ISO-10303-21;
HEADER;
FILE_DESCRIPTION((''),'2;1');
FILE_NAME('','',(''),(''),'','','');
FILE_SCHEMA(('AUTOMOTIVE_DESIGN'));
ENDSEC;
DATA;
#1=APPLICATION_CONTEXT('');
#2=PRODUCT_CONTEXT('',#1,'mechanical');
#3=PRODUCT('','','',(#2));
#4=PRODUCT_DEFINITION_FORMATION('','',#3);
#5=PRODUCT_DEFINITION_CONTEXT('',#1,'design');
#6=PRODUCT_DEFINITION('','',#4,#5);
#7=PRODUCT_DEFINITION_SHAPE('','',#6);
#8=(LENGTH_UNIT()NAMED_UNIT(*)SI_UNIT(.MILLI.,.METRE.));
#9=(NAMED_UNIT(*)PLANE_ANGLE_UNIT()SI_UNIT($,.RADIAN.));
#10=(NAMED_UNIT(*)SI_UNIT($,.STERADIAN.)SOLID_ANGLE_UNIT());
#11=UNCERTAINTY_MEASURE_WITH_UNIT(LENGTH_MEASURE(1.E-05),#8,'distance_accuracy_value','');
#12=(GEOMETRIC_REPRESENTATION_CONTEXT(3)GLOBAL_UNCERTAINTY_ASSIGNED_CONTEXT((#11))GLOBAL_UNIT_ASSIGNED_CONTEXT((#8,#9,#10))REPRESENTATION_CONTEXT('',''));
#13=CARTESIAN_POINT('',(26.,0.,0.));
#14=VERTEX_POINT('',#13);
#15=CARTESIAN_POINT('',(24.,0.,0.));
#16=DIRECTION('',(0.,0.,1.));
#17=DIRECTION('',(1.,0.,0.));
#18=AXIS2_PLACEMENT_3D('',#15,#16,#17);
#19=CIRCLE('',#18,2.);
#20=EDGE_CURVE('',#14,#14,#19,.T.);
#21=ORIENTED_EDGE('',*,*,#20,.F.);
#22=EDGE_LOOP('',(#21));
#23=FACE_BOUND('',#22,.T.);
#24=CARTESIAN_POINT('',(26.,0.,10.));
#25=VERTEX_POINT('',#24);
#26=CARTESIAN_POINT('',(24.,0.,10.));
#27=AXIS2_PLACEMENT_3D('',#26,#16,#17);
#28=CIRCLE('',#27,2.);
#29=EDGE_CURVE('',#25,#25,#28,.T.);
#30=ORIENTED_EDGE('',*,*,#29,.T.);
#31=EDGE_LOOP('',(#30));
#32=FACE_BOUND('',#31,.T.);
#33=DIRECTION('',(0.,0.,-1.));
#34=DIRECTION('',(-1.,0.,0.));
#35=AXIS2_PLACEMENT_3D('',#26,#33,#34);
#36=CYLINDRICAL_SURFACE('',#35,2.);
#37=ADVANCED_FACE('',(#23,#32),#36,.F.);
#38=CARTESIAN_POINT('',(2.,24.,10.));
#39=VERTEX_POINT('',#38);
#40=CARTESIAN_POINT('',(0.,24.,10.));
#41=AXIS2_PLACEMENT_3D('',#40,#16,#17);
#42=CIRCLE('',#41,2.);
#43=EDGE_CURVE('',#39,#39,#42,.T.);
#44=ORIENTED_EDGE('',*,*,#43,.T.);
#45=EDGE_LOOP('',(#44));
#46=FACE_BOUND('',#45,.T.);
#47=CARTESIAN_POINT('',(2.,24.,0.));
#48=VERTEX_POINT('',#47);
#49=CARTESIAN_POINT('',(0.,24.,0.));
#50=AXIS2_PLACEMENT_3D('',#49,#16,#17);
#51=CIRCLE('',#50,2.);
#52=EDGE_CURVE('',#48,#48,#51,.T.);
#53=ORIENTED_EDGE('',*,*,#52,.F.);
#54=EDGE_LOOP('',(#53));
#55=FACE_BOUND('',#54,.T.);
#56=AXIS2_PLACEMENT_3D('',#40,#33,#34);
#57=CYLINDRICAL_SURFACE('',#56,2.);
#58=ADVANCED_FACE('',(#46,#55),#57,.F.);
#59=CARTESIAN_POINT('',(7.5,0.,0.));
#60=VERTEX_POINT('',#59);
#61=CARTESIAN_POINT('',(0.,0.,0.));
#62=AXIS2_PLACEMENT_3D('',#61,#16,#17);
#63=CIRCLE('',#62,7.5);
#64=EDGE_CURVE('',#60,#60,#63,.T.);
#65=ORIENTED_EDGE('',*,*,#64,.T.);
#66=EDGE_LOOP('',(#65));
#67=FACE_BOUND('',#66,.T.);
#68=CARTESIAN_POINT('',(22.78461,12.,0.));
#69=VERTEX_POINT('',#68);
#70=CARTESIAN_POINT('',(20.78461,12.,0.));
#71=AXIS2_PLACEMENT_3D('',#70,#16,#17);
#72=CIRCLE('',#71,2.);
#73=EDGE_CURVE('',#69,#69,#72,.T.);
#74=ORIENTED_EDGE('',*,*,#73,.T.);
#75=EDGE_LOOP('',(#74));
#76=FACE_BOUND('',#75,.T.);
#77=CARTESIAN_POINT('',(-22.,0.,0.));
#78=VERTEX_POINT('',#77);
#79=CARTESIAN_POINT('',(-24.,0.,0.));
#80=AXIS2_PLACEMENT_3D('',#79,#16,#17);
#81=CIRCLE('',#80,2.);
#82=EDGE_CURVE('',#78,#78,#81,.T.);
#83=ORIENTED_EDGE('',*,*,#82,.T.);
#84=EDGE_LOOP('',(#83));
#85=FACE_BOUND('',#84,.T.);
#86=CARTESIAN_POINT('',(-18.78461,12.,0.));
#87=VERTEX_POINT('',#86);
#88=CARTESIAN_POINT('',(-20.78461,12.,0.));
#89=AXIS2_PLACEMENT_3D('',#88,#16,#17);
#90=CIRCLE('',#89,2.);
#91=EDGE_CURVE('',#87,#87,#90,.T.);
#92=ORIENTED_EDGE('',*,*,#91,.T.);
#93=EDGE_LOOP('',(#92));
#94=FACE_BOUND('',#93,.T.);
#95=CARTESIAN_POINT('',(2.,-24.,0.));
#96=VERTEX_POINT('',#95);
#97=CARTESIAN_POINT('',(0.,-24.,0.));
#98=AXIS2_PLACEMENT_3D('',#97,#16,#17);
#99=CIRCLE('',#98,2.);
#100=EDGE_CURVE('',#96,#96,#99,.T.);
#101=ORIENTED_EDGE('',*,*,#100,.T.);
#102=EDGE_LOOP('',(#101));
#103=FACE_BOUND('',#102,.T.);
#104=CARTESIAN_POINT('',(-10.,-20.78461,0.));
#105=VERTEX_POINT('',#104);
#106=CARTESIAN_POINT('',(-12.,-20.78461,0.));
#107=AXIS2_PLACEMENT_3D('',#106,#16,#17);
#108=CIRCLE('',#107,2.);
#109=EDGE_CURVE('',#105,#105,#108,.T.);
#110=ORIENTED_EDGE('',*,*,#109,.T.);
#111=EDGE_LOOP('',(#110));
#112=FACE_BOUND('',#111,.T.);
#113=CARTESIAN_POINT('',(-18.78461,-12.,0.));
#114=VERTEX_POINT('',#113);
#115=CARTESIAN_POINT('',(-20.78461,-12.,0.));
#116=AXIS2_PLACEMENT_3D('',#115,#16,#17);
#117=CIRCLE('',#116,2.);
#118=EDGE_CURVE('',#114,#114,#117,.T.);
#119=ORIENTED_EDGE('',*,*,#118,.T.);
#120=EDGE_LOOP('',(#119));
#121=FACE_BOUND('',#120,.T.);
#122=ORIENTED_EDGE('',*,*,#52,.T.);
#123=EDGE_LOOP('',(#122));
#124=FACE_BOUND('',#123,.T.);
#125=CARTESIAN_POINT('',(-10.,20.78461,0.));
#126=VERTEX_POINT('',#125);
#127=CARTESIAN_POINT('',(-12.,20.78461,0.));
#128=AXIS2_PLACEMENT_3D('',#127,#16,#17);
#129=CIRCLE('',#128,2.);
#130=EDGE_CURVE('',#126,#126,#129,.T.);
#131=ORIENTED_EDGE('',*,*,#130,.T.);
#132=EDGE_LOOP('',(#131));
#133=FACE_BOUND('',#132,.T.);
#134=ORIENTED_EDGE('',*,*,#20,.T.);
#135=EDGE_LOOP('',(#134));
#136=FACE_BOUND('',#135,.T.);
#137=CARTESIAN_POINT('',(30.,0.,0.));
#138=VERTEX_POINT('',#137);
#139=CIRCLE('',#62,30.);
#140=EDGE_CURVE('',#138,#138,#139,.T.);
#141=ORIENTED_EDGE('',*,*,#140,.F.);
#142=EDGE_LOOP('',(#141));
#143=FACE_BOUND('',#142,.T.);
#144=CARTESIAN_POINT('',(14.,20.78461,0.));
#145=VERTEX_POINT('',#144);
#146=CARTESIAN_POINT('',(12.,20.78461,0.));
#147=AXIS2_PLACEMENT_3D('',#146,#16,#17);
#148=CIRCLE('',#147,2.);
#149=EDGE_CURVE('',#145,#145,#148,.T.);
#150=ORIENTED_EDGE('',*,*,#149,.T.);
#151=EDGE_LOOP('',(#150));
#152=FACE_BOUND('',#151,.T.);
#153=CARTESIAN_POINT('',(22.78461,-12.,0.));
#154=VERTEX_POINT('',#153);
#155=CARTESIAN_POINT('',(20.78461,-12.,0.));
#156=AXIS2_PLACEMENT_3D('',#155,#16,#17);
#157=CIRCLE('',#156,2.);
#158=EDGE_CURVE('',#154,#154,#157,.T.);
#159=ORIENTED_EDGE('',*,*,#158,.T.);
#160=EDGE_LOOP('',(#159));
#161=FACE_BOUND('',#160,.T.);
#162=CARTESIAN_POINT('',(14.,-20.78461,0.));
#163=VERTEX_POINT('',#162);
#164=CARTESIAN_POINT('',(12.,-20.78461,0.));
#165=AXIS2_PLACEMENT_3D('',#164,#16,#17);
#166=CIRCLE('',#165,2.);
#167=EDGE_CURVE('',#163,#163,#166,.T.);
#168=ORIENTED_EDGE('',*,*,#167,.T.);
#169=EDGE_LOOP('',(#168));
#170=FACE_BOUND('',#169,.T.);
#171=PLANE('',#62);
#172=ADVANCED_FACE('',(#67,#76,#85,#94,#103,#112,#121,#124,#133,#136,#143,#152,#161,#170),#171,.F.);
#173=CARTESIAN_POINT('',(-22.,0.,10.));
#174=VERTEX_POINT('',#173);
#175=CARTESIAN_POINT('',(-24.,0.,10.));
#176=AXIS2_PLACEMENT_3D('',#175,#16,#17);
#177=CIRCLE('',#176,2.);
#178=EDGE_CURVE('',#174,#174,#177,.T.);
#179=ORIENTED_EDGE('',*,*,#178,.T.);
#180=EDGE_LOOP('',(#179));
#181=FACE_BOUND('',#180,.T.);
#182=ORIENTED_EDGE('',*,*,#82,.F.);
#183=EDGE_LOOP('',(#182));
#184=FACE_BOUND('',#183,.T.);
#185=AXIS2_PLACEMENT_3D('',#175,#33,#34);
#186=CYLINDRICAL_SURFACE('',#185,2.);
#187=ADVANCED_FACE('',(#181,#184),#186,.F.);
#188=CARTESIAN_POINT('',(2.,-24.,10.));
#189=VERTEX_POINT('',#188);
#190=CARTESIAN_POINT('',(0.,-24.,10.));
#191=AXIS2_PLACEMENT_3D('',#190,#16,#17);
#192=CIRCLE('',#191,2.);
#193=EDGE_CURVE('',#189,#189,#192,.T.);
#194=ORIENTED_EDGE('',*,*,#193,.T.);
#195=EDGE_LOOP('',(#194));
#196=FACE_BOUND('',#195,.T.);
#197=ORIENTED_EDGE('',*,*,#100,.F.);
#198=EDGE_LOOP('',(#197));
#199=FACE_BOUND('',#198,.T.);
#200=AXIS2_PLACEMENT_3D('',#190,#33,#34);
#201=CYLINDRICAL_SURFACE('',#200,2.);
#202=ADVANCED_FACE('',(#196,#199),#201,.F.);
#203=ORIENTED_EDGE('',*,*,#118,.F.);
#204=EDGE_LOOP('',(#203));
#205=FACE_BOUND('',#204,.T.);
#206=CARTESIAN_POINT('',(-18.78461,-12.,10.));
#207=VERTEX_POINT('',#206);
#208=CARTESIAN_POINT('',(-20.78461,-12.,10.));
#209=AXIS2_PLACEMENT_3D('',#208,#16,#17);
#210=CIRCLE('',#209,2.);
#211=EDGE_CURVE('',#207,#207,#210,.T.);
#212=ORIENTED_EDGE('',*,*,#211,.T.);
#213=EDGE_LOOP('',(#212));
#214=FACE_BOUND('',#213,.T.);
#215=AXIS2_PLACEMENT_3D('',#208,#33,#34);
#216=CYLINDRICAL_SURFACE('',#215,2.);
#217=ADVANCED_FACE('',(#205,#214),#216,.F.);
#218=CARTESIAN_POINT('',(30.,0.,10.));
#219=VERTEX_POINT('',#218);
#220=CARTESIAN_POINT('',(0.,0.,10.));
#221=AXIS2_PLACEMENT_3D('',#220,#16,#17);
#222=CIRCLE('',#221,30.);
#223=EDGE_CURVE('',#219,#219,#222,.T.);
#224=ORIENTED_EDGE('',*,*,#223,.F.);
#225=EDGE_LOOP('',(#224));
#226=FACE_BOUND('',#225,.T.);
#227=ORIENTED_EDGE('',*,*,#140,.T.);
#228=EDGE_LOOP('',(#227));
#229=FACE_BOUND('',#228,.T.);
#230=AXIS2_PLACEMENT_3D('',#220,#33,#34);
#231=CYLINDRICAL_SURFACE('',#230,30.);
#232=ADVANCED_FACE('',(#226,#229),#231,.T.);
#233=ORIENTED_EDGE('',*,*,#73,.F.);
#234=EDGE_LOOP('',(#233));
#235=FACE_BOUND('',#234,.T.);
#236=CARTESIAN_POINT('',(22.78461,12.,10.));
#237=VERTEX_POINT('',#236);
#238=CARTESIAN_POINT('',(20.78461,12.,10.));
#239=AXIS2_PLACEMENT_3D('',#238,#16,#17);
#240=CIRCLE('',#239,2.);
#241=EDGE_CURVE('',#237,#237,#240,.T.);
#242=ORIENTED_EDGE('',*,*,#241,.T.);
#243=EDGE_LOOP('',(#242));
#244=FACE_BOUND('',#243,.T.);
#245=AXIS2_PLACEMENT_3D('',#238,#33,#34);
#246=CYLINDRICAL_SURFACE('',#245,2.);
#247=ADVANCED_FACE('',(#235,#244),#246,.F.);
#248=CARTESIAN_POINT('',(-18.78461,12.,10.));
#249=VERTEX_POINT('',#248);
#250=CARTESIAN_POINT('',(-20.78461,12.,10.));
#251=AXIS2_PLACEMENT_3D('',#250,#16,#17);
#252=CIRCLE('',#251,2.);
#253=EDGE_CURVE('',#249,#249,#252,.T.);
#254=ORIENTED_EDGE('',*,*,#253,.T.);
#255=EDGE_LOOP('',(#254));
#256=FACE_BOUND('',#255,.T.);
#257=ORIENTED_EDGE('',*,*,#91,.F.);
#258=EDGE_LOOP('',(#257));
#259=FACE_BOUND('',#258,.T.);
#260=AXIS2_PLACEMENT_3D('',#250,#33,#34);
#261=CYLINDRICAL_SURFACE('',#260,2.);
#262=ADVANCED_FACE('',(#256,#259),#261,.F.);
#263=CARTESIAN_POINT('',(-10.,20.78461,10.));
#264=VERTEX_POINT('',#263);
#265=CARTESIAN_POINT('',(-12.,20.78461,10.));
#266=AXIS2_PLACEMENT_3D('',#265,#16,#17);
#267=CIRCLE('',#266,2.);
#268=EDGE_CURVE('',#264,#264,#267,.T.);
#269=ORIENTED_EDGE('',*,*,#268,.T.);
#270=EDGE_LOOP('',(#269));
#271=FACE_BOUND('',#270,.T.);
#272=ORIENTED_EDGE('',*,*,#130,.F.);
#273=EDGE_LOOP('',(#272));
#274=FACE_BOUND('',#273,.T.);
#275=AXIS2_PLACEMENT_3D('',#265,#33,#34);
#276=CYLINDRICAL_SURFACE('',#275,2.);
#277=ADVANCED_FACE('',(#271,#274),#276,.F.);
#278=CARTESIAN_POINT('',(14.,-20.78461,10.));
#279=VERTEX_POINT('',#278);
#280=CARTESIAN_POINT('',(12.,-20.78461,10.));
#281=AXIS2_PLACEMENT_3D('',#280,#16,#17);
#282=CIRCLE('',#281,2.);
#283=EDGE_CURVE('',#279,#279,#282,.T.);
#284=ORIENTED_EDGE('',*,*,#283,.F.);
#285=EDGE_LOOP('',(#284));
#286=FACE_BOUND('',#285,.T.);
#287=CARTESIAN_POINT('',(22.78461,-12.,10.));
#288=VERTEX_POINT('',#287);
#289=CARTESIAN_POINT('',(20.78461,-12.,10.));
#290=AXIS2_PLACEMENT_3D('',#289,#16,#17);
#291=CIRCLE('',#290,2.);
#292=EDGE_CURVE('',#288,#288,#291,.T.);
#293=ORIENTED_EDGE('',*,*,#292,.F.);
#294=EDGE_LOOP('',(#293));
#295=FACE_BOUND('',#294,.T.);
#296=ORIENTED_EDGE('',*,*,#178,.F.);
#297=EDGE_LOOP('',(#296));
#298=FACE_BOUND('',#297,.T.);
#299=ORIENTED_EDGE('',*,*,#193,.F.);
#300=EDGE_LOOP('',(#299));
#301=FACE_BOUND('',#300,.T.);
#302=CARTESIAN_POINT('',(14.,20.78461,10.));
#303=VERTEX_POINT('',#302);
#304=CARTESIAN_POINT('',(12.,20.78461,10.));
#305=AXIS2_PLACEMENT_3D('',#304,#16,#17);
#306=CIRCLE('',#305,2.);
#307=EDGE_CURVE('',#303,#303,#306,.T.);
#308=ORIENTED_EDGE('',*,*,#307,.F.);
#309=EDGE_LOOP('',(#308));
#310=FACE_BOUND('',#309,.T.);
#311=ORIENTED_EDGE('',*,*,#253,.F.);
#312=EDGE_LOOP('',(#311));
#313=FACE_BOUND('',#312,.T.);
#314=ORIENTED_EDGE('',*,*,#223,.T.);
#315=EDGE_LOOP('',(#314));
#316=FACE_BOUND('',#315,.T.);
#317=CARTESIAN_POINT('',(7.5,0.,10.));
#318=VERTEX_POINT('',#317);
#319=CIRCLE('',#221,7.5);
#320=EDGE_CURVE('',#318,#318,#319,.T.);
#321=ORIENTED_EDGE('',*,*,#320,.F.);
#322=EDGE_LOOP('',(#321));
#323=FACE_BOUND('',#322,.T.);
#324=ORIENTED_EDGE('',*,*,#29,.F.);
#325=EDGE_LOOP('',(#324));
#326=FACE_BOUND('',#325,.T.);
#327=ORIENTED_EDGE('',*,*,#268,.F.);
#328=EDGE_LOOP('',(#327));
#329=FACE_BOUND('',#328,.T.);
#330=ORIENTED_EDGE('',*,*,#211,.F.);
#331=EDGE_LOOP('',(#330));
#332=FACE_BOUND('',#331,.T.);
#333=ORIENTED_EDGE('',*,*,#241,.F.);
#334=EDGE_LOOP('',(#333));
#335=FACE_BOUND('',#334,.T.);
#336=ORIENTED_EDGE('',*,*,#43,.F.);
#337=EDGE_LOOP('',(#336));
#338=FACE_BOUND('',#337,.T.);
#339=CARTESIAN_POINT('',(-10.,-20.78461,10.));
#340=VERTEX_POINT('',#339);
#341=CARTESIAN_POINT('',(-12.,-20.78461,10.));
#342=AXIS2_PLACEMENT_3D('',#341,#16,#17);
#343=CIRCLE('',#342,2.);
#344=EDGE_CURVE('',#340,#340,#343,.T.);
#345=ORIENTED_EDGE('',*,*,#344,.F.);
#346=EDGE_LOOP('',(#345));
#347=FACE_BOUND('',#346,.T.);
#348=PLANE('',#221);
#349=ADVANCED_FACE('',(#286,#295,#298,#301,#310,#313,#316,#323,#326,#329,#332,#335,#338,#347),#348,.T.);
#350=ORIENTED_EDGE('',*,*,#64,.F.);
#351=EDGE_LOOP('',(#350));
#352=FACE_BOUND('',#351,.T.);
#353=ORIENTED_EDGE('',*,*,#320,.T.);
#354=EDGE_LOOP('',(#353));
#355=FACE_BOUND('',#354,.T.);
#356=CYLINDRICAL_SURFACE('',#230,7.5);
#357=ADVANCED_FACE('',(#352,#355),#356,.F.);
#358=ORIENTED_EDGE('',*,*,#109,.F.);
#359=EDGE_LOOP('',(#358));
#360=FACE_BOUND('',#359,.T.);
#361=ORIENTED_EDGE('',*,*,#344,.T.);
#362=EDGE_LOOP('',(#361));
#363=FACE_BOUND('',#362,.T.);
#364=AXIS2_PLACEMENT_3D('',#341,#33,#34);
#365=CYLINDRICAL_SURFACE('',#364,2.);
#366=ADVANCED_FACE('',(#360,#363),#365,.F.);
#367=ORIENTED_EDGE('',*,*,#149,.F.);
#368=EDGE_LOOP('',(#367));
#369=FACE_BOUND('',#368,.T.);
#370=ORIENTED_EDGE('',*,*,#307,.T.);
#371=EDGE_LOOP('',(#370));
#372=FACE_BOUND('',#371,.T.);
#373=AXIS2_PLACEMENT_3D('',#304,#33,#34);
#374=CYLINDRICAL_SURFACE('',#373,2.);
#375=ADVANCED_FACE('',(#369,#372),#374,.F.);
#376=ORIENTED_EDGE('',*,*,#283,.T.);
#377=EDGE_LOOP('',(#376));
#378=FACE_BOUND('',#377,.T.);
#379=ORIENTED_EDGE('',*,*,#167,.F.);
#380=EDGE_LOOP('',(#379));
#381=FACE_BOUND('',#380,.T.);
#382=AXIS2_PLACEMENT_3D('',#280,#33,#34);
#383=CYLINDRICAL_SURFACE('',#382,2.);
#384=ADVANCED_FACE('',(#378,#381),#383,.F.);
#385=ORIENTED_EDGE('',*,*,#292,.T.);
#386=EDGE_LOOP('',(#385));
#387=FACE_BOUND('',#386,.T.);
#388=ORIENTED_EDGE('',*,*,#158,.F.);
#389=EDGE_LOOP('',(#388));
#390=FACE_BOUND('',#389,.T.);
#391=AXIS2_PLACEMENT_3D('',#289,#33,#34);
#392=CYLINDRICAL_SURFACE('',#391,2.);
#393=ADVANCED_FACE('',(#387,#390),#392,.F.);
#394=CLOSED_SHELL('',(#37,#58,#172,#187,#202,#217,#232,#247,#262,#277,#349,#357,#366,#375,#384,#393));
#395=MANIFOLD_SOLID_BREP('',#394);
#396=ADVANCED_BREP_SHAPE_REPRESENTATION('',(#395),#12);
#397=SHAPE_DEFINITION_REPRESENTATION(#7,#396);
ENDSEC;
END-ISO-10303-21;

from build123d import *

# Parameters (mm, degrees)
SKETCH_1_R          = 30
EXTRUDE_1_DEPTH     = 10
SKETCH_2_R          = 7.5
CUT_EXTRUDE_1_DEPTH = 44.588989435
SKETCH_3_R          = 2
CUT_EXTRUDE_2_DEPTH = 44.588989435


with BuildPart() as part:
    # 草图1 → 凸台-拉伸1 (new body)
    with BuildSketch(Plane.XY):
        Circle(SKETCH_1_R)
    extrude(amount=EXTRUDE_1_DEPTH)

    # 草图2 → 切除-拉伸1 (cut, through all)
    with BuildSketch(Plane.XY):
        Circle(SKETCH_2_R)
    extrude(amount=CUT_EXTRUDE_1_DEPTH, mode=Mode.SUBTRACT)

    # 草图3 → 切除-拉伸2 (cut, through all)
    with BuildSketch(Plane.XY):
        with Locations((24, 0)):
            Circle(SKETCH_3_R)
        with Locations((20.78461, 12)):
            Circle(SKETCH_3_R)
        with Locations((12, 20.78461)):
            Circle(SKETCH_3_R)
        with Locations((0, 24)):
            Circle(SKETCH_3_R)
        with Locations((-12, 20.78461)):
            Circle(SKETCH_3_R)
        with Locations((-20.78461, 12)):
            Circle(SKETCH_3_R)
        with Locations((-24, 0)):
            Circle(SKETCH_3_R)
        with Locations((-20.78461, -12)):
            Circle(SKETCH_3_R)
        with Locations((-12, -20.78461)):
            Circle(SKETCH_3_R)
        with Locations((0, -24)):
            Circle(SKETCH_3_R)
        with Locations((12, -20.78461)):
            Circle(SKETCH_3_R)
        with Locations((20.78461, -12)):
            Circle(SKETCH_3_R)
    extrude(amount=CUT_EXTRUDE_2_DEPTH, mode=Mode.SUBTRACT)


solid = part.part
